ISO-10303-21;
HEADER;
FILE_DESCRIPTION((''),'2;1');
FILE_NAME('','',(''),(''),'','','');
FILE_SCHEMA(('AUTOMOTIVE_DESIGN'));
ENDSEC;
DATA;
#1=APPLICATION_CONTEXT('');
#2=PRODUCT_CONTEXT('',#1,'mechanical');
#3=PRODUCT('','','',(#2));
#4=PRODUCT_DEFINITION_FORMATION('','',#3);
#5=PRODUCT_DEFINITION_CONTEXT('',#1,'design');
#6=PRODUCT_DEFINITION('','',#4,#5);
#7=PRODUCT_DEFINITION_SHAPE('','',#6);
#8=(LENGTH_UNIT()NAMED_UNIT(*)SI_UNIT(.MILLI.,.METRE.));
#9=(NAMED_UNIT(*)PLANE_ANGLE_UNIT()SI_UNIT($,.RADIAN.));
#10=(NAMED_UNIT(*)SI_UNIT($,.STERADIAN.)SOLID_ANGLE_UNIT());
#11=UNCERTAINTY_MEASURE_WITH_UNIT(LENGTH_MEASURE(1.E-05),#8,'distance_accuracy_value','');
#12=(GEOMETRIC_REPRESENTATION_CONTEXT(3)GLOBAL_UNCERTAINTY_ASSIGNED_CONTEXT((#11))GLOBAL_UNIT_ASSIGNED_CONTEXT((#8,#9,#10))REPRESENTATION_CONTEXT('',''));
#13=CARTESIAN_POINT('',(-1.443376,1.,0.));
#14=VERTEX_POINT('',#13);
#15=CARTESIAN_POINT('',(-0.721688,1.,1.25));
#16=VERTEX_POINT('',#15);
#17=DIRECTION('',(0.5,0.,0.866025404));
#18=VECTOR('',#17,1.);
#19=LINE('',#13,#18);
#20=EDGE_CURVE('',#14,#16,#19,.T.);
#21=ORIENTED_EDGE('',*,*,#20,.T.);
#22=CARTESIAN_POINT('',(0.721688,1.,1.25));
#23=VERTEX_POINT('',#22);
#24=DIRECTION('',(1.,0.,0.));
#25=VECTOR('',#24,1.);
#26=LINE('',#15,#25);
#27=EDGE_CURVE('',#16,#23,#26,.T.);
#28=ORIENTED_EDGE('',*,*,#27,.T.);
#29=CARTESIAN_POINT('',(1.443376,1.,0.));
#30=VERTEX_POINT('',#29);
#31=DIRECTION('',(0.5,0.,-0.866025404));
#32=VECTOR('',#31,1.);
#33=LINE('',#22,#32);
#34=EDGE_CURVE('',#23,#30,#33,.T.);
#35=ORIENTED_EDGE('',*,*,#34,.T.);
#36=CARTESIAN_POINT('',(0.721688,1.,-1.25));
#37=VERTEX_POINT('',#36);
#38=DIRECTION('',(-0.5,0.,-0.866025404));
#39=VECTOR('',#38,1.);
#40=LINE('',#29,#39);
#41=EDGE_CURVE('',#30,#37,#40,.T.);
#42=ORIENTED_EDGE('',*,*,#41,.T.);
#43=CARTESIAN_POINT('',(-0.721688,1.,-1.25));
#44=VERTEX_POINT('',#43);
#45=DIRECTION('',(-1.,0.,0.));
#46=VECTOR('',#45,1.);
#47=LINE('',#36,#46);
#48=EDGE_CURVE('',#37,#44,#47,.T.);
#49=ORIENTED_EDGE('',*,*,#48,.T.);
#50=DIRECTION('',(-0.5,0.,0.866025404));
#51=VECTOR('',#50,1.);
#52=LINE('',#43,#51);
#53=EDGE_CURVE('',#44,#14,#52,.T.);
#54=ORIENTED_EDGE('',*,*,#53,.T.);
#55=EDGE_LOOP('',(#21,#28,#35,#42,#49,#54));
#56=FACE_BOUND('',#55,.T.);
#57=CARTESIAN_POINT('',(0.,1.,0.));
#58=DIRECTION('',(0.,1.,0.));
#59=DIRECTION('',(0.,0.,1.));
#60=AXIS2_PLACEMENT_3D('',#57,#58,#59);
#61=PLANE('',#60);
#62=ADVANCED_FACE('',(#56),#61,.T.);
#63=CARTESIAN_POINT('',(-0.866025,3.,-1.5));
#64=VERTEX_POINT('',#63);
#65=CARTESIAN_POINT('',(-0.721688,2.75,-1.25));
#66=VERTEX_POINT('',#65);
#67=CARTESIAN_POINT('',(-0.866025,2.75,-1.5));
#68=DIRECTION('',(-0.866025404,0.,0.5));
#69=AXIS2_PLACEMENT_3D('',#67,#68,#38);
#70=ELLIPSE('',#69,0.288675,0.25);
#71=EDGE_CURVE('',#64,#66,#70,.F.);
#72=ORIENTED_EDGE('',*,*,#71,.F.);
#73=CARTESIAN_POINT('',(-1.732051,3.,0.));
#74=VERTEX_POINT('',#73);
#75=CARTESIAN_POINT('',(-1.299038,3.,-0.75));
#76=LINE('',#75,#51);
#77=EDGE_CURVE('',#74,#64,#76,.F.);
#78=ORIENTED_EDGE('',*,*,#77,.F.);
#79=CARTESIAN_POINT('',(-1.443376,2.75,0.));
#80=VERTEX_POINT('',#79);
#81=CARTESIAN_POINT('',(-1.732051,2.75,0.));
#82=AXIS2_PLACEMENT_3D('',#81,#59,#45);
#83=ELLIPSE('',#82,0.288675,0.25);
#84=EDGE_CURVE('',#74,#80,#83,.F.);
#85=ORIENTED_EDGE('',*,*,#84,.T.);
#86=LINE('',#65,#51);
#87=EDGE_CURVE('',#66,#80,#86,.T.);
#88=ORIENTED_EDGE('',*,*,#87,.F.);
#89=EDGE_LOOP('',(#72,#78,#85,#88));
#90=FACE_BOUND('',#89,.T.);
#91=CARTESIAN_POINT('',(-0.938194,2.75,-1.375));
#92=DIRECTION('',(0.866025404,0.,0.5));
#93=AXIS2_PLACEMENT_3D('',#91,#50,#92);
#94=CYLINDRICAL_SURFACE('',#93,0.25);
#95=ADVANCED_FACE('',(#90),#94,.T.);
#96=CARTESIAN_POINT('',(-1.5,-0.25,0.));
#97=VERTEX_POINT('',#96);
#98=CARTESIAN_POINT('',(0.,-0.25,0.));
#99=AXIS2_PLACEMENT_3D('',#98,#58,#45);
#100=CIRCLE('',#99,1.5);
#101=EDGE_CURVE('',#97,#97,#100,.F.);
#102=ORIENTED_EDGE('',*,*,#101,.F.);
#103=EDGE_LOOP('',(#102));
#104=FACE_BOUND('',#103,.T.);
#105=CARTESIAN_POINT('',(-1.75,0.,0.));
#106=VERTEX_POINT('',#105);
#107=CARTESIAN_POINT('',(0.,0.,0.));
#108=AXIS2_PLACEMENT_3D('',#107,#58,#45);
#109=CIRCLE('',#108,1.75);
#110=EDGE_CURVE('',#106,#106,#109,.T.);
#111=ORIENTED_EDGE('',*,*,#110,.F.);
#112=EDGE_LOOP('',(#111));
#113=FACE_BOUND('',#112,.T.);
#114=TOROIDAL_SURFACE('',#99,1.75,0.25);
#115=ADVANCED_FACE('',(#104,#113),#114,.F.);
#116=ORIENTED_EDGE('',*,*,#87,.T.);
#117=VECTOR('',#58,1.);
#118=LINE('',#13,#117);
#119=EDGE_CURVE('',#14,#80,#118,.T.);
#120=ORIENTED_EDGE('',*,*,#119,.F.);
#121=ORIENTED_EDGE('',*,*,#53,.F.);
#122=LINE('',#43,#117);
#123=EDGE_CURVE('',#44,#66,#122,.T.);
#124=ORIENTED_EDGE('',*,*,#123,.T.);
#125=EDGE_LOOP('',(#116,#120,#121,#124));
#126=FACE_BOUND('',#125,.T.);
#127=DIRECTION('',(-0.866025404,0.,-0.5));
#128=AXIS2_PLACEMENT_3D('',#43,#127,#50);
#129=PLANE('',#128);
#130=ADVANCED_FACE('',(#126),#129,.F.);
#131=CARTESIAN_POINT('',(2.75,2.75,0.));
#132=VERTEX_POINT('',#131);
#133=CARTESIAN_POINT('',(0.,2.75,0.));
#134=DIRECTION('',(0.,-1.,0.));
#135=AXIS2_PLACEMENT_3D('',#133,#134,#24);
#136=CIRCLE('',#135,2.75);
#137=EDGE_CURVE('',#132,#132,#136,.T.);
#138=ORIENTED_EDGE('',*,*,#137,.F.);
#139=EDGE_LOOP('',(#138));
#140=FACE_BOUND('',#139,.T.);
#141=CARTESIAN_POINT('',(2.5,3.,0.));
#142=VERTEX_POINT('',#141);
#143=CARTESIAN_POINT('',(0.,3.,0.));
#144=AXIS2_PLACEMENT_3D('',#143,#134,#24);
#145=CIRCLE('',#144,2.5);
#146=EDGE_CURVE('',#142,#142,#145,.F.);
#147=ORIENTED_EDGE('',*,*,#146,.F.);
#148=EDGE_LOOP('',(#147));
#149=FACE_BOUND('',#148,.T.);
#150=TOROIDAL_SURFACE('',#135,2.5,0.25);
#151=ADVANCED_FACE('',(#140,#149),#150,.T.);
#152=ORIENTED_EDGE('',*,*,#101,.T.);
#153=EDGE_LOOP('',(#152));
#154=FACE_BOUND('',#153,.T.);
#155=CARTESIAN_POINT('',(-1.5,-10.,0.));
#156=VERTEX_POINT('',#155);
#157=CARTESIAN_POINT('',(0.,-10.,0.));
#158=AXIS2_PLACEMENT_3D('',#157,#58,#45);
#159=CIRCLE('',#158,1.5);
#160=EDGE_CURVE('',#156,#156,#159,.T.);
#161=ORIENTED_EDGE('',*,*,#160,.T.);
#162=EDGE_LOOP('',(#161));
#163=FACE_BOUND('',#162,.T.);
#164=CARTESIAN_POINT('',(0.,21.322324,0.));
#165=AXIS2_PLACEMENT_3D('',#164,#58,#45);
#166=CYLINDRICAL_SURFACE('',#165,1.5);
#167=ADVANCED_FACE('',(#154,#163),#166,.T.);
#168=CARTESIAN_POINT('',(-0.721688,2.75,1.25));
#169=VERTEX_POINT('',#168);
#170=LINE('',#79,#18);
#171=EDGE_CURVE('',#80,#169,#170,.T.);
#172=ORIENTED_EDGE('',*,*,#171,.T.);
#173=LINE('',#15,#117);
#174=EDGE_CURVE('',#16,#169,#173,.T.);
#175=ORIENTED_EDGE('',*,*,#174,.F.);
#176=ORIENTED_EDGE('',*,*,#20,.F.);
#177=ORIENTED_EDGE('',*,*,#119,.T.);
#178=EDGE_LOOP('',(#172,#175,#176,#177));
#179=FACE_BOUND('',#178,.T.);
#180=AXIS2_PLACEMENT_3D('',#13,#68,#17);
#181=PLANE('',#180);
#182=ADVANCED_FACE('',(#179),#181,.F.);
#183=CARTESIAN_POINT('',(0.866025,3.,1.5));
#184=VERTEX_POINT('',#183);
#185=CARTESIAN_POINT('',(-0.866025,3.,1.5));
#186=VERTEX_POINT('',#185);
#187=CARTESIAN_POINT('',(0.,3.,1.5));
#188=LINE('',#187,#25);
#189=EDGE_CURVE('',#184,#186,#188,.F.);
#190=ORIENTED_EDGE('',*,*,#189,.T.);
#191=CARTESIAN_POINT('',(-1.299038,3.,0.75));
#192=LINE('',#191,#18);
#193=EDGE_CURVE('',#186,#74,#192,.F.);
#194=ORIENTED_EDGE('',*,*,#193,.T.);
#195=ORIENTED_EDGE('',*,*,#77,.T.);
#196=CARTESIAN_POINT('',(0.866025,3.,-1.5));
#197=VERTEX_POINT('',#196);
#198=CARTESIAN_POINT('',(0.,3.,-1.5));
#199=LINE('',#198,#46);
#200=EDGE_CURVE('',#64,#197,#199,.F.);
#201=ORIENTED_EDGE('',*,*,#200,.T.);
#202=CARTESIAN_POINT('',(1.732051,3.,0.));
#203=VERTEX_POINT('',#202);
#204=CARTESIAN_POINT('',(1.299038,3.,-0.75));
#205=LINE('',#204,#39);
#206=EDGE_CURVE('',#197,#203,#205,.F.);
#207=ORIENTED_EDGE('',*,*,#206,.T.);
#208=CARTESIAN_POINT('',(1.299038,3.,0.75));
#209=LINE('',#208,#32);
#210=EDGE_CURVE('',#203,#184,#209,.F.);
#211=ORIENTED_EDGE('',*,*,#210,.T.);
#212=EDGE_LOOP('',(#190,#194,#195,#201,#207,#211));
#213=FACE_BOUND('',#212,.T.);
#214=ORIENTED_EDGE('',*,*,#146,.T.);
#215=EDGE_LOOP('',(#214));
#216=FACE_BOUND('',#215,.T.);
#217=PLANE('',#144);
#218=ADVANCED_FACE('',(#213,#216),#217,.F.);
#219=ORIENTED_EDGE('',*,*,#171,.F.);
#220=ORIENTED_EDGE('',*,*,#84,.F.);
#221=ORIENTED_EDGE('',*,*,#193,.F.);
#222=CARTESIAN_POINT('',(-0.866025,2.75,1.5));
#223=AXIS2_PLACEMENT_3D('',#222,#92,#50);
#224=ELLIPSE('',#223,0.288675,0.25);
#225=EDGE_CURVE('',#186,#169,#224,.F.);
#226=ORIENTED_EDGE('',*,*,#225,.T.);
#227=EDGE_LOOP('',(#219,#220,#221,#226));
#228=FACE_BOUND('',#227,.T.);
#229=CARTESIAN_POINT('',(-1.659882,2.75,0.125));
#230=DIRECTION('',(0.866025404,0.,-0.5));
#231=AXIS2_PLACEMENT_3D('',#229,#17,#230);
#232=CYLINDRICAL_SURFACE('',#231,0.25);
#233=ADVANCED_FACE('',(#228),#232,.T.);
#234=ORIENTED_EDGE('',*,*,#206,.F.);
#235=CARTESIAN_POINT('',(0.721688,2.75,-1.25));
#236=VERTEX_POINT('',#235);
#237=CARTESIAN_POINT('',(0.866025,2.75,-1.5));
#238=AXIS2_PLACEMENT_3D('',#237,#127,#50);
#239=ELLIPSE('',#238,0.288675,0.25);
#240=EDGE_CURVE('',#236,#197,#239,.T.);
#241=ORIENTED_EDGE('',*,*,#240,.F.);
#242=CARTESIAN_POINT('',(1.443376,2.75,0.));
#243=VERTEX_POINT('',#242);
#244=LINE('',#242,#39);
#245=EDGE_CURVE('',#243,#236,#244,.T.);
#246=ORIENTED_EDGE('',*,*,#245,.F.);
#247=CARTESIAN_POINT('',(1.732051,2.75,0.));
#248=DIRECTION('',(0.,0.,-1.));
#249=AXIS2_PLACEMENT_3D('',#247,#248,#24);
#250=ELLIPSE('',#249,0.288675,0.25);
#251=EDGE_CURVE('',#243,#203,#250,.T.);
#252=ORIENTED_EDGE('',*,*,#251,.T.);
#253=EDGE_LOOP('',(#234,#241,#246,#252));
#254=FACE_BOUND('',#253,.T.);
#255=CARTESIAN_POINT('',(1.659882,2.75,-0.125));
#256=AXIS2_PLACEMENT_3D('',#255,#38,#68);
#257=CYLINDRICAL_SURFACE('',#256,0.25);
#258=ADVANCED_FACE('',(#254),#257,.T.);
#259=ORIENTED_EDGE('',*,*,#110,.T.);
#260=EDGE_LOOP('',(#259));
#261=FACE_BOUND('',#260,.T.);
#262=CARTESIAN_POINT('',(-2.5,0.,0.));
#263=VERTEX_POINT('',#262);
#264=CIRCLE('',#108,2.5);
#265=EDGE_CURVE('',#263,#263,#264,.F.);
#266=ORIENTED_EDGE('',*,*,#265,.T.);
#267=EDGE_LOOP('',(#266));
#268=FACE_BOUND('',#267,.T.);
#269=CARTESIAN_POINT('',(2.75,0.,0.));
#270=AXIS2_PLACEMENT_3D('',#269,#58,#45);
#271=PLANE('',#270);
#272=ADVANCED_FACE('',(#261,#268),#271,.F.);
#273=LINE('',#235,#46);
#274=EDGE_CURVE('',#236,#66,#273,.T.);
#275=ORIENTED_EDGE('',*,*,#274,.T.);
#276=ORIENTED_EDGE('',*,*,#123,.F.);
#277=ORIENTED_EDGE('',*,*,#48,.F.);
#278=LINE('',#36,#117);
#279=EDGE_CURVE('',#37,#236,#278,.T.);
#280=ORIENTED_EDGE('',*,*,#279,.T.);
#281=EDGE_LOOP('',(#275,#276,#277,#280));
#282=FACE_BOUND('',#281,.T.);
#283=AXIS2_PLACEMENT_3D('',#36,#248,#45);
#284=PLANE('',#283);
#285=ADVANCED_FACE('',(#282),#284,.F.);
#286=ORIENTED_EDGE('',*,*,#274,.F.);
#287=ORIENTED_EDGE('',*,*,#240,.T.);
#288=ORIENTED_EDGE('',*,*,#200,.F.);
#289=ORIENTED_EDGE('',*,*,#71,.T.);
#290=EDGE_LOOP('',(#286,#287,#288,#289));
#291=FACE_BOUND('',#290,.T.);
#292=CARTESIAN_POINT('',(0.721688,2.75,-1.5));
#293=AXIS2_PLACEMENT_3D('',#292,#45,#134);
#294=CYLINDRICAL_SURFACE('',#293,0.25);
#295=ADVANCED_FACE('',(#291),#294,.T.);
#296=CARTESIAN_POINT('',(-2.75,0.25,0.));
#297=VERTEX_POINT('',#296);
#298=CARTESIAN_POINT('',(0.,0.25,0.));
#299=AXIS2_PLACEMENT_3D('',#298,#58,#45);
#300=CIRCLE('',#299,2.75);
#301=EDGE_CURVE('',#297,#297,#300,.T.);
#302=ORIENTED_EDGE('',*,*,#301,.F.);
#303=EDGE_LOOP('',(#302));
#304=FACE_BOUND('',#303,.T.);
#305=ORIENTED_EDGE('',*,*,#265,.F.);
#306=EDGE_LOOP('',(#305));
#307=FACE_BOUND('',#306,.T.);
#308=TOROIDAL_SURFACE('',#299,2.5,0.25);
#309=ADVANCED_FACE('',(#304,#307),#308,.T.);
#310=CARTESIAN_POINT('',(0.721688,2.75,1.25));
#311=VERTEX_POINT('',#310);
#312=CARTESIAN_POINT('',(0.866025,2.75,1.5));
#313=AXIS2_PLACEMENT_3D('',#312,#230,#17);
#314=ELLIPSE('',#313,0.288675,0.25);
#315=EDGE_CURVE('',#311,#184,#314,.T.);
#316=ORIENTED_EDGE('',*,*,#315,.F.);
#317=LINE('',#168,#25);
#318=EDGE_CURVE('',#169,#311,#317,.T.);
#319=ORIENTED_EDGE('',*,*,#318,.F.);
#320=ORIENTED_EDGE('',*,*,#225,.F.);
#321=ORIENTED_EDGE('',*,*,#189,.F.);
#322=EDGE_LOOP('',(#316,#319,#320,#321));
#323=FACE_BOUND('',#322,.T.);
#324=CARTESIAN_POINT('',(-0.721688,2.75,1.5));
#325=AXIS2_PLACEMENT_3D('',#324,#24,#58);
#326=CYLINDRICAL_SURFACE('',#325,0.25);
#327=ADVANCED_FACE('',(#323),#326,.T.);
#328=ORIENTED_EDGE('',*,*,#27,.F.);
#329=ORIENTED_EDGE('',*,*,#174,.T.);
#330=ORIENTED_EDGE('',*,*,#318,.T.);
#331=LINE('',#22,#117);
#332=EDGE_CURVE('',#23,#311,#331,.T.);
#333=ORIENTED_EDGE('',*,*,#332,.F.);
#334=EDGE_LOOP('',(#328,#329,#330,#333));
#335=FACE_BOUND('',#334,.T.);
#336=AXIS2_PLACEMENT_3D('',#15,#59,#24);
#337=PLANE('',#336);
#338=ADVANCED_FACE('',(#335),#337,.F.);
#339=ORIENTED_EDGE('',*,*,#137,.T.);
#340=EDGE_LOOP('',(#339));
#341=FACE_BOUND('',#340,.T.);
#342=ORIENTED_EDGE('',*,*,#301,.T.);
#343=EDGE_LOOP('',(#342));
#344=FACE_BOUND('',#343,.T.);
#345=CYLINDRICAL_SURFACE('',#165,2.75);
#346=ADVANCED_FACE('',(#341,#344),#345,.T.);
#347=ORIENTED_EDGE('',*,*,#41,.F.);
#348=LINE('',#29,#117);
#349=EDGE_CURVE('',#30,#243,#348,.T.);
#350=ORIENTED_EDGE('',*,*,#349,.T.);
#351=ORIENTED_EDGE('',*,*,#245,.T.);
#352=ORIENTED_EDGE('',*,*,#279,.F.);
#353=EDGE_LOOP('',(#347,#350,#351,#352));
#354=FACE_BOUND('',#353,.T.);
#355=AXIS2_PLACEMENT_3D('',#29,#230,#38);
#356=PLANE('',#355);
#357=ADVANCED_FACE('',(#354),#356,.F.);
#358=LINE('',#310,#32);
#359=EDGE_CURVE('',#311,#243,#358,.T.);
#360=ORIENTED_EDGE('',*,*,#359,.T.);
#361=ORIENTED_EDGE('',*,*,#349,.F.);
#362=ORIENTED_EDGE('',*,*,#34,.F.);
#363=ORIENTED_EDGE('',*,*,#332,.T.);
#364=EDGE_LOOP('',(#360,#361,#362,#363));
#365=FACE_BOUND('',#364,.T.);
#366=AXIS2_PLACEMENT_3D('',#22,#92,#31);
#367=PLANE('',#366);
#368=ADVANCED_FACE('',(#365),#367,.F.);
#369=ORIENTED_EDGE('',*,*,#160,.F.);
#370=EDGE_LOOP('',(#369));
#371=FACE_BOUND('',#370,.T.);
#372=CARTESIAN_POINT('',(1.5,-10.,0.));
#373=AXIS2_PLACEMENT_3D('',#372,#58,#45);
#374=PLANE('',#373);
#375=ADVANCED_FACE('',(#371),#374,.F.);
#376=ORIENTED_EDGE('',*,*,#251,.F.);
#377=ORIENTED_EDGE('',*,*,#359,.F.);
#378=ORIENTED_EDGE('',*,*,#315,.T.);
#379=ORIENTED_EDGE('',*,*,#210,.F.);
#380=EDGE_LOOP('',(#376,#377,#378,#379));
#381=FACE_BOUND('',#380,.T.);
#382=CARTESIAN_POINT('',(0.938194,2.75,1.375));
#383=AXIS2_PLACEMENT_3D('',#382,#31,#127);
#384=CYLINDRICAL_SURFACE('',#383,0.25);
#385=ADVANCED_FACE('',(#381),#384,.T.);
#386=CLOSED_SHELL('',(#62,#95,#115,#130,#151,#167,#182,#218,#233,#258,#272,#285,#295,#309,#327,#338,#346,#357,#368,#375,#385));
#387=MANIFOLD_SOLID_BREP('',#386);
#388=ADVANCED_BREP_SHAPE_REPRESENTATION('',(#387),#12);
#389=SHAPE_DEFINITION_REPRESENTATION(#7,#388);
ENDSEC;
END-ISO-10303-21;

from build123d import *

# Parameters (mm, degrees)
CUT_EXTRUDE1_DEPTH = 2
FILLET1_R          = 0.25


with BuildPart() as part:
    # Sketch2 → Revolve1 (revolve)
    with BuildSketch(Plane.XY, mode=Mode.PRIVATE) as revolve1_sk:
        Polygon((0, 3), (2.75, 3), (2.75, 0), (1.5, 0), (1.5, -10), (0, -10), align=None)
    revolve(revolve1_sk.sketch.rotate(Axis((0, 21.322324325, 0), (0, -1, 0)), 180), axis=Axis((0, 21.322324325, 0), (0, -1, 0)))

    # Sketch3 → Cut-Extrude1 (cut)
    with BuildSketch(Plane(origin=(0, 3, 0), x_dir=(1, 0, 0), z_dir=(0, 1, 0))):
        Polygon((1.443375673, 0), (0.721687836, 1.25), (-0.721687836, 1.25), (-1.443375673, 0), (-0.721687836, -1.25), (0.721687836, -1.25), align=None)
    extrude(amount=-CUT_EXTRUDE1_DEPTH, mode=Mode.SUBTRACT)

    # Fillet1
    fillet1_edges = [part.edges().sort_by_distance(p)[0] for p in [
        (1.082531755, 3, 0.625),
        (1.082531755, 3, -0.625),
        (0, 3, -1.25),
        (-1.082531755, 3, -0.625),
        (-1.082531755, 3, 0.625),
        (0, 3, 1.25),
        (1.5, 0, 0),
        (2.75, 0, 0),
        (2.75, 3, 0),
    ]]
    fillet(fillet1_edges, radius=FILLET1_R)


solid = part.part
